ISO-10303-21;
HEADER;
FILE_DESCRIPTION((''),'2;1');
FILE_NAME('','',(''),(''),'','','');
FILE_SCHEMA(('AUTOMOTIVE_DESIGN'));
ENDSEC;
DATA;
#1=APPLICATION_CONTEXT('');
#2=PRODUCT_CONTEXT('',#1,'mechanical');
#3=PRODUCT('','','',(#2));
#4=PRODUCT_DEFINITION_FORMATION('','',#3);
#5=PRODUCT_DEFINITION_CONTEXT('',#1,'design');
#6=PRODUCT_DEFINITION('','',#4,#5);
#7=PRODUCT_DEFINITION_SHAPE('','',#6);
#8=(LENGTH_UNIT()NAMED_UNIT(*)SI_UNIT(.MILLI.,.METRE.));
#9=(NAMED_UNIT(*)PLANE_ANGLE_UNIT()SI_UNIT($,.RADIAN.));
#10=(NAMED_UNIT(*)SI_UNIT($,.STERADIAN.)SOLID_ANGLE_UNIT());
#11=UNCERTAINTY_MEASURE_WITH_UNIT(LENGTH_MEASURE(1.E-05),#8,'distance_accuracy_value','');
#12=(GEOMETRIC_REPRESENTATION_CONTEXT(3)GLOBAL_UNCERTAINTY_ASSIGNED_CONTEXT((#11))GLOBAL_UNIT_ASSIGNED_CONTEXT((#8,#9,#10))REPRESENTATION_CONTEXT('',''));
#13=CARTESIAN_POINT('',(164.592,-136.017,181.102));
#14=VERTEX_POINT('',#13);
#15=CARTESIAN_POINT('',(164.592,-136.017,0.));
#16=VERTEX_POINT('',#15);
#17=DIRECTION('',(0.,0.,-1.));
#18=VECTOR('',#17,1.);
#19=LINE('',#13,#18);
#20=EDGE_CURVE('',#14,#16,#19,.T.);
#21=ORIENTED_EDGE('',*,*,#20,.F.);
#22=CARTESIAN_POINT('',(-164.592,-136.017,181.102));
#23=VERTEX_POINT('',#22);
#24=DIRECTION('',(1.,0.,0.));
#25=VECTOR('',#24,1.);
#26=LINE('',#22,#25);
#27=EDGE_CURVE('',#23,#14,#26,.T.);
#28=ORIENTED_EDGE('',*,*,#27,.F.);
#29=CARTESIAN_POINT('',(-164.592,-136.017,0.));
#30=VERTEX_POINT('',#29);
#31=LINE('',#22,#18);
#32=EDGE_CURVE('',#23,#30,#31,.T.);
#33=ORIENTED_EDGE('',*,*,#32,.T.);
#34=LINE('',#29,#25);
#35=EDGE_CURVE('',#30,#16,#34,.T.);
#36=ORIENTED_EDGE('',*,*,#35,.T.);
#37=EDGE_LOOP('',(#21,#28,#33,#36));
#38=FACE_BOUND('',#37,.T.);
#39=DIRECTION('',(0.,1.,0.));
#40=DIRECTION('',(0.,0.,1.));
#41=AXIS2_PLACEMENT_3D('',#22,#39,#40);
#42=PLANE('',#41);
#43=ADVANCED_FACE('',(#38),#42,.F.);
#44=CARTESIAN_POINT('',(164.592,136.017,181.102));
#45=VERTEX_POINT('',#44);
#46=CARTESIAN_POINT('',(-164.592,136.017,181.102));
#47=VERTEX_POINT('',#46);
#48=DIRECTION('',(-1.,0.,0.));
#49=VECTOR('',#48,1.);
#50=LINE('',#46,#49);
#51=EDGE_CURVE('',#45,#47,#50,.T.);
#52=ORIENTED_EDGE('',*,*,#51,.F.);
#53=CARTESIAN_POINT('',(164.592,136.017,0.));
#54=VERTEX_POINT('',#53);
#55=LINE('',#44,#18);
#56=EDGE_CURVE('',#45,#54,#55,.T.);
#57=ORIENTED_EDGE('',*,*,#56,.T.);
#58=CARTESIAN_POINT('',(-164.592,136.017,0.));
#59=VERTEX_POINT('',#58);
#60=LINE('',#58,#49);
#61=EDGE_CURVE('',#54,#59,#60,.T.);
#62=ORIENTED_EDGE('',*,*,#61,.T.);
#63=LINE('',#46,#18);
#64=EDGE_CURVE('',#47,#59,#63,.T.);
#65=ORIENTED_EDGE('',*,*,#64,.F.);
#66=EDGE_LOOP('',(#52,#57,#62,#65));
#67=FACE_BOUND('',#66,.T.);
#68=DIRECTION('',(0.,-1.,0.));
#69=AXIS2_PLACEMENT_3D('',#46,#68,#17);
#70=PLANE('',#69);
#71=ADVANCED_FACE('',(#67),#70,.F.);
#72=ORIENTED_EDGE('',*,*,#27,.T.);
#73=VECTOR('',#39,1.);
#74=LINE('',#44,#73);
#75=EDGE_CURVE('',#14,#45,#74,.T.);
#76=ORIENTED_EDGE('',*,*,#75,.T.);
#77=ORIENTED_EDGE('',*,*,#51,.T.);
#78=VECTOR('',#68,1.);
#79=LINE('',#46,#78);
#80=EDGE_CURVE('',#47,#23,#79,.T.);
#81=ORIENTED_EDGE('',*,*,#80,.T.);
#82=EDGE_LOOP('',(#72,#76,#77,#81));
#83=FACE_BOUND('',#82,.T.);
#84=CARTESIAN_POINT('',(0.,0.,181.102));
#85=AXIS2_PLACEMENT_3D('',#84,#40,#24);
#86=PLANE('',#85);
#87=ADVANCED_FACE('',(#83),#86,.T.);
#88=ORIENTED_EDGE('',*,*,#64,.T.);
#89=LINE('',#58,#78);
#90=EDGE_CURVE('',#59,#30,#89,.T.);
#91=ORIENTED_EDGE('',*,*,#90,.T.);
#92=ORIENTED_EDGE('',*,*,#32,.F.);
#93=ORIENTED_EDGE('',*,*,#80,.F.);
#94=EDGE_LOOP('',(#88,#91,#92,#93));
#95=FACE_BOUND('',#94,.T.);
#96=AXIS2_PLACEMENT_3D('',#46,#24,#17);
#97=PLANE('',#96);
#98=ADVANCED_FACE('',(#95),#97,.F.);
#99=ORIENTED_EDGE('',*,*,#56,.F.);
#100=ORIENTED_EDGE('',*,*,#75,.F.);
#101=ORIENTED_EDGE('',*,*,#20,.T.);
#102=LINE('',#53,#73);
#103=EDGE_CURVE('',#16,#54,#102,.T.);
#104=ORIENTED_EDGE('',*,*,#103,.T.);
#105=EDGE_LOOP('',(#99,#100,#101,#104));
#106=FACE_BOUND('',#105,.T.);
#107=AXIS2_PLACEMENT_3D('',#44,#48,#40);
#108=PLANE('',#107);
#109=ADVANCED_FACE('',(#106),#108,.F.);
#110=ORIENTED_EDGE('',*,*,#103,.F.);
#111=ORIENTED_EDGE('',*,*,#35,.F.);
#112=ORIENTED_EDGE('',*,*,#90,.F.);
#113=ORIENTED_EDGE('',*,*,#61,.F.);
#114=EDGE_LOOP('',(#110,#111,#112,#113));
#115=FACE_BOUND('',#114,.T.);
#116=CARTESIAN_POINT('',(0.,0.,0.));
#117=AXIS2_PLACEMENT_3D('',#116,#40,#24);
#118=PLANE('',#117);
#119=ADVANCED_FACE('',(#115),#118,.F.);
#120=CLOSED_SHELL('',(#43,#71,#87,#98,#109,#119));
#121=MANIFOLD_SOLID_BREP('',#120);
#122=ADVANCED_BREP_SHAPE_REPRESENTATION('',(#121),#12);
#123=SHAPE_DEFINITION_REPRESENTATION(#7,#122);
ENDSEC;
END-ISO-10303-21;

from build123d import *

# Parameters (mm, degrees)
SKETCH2_W           = 329.184
SKETCH2_H           = 272.034
BOSS_EXTRUDE1_DEPTH = 181.102


with BuildPart() as part:
    # Sketch2 → Boss-Extrude1 (new body)
    with BuildSketch(Plane.XY):
        Rectangle(SKETCH2_W, SKETCH2_H)
    extrude(amount=BOSS_EXTRUDE1_DEPTH)


solid = part.part
